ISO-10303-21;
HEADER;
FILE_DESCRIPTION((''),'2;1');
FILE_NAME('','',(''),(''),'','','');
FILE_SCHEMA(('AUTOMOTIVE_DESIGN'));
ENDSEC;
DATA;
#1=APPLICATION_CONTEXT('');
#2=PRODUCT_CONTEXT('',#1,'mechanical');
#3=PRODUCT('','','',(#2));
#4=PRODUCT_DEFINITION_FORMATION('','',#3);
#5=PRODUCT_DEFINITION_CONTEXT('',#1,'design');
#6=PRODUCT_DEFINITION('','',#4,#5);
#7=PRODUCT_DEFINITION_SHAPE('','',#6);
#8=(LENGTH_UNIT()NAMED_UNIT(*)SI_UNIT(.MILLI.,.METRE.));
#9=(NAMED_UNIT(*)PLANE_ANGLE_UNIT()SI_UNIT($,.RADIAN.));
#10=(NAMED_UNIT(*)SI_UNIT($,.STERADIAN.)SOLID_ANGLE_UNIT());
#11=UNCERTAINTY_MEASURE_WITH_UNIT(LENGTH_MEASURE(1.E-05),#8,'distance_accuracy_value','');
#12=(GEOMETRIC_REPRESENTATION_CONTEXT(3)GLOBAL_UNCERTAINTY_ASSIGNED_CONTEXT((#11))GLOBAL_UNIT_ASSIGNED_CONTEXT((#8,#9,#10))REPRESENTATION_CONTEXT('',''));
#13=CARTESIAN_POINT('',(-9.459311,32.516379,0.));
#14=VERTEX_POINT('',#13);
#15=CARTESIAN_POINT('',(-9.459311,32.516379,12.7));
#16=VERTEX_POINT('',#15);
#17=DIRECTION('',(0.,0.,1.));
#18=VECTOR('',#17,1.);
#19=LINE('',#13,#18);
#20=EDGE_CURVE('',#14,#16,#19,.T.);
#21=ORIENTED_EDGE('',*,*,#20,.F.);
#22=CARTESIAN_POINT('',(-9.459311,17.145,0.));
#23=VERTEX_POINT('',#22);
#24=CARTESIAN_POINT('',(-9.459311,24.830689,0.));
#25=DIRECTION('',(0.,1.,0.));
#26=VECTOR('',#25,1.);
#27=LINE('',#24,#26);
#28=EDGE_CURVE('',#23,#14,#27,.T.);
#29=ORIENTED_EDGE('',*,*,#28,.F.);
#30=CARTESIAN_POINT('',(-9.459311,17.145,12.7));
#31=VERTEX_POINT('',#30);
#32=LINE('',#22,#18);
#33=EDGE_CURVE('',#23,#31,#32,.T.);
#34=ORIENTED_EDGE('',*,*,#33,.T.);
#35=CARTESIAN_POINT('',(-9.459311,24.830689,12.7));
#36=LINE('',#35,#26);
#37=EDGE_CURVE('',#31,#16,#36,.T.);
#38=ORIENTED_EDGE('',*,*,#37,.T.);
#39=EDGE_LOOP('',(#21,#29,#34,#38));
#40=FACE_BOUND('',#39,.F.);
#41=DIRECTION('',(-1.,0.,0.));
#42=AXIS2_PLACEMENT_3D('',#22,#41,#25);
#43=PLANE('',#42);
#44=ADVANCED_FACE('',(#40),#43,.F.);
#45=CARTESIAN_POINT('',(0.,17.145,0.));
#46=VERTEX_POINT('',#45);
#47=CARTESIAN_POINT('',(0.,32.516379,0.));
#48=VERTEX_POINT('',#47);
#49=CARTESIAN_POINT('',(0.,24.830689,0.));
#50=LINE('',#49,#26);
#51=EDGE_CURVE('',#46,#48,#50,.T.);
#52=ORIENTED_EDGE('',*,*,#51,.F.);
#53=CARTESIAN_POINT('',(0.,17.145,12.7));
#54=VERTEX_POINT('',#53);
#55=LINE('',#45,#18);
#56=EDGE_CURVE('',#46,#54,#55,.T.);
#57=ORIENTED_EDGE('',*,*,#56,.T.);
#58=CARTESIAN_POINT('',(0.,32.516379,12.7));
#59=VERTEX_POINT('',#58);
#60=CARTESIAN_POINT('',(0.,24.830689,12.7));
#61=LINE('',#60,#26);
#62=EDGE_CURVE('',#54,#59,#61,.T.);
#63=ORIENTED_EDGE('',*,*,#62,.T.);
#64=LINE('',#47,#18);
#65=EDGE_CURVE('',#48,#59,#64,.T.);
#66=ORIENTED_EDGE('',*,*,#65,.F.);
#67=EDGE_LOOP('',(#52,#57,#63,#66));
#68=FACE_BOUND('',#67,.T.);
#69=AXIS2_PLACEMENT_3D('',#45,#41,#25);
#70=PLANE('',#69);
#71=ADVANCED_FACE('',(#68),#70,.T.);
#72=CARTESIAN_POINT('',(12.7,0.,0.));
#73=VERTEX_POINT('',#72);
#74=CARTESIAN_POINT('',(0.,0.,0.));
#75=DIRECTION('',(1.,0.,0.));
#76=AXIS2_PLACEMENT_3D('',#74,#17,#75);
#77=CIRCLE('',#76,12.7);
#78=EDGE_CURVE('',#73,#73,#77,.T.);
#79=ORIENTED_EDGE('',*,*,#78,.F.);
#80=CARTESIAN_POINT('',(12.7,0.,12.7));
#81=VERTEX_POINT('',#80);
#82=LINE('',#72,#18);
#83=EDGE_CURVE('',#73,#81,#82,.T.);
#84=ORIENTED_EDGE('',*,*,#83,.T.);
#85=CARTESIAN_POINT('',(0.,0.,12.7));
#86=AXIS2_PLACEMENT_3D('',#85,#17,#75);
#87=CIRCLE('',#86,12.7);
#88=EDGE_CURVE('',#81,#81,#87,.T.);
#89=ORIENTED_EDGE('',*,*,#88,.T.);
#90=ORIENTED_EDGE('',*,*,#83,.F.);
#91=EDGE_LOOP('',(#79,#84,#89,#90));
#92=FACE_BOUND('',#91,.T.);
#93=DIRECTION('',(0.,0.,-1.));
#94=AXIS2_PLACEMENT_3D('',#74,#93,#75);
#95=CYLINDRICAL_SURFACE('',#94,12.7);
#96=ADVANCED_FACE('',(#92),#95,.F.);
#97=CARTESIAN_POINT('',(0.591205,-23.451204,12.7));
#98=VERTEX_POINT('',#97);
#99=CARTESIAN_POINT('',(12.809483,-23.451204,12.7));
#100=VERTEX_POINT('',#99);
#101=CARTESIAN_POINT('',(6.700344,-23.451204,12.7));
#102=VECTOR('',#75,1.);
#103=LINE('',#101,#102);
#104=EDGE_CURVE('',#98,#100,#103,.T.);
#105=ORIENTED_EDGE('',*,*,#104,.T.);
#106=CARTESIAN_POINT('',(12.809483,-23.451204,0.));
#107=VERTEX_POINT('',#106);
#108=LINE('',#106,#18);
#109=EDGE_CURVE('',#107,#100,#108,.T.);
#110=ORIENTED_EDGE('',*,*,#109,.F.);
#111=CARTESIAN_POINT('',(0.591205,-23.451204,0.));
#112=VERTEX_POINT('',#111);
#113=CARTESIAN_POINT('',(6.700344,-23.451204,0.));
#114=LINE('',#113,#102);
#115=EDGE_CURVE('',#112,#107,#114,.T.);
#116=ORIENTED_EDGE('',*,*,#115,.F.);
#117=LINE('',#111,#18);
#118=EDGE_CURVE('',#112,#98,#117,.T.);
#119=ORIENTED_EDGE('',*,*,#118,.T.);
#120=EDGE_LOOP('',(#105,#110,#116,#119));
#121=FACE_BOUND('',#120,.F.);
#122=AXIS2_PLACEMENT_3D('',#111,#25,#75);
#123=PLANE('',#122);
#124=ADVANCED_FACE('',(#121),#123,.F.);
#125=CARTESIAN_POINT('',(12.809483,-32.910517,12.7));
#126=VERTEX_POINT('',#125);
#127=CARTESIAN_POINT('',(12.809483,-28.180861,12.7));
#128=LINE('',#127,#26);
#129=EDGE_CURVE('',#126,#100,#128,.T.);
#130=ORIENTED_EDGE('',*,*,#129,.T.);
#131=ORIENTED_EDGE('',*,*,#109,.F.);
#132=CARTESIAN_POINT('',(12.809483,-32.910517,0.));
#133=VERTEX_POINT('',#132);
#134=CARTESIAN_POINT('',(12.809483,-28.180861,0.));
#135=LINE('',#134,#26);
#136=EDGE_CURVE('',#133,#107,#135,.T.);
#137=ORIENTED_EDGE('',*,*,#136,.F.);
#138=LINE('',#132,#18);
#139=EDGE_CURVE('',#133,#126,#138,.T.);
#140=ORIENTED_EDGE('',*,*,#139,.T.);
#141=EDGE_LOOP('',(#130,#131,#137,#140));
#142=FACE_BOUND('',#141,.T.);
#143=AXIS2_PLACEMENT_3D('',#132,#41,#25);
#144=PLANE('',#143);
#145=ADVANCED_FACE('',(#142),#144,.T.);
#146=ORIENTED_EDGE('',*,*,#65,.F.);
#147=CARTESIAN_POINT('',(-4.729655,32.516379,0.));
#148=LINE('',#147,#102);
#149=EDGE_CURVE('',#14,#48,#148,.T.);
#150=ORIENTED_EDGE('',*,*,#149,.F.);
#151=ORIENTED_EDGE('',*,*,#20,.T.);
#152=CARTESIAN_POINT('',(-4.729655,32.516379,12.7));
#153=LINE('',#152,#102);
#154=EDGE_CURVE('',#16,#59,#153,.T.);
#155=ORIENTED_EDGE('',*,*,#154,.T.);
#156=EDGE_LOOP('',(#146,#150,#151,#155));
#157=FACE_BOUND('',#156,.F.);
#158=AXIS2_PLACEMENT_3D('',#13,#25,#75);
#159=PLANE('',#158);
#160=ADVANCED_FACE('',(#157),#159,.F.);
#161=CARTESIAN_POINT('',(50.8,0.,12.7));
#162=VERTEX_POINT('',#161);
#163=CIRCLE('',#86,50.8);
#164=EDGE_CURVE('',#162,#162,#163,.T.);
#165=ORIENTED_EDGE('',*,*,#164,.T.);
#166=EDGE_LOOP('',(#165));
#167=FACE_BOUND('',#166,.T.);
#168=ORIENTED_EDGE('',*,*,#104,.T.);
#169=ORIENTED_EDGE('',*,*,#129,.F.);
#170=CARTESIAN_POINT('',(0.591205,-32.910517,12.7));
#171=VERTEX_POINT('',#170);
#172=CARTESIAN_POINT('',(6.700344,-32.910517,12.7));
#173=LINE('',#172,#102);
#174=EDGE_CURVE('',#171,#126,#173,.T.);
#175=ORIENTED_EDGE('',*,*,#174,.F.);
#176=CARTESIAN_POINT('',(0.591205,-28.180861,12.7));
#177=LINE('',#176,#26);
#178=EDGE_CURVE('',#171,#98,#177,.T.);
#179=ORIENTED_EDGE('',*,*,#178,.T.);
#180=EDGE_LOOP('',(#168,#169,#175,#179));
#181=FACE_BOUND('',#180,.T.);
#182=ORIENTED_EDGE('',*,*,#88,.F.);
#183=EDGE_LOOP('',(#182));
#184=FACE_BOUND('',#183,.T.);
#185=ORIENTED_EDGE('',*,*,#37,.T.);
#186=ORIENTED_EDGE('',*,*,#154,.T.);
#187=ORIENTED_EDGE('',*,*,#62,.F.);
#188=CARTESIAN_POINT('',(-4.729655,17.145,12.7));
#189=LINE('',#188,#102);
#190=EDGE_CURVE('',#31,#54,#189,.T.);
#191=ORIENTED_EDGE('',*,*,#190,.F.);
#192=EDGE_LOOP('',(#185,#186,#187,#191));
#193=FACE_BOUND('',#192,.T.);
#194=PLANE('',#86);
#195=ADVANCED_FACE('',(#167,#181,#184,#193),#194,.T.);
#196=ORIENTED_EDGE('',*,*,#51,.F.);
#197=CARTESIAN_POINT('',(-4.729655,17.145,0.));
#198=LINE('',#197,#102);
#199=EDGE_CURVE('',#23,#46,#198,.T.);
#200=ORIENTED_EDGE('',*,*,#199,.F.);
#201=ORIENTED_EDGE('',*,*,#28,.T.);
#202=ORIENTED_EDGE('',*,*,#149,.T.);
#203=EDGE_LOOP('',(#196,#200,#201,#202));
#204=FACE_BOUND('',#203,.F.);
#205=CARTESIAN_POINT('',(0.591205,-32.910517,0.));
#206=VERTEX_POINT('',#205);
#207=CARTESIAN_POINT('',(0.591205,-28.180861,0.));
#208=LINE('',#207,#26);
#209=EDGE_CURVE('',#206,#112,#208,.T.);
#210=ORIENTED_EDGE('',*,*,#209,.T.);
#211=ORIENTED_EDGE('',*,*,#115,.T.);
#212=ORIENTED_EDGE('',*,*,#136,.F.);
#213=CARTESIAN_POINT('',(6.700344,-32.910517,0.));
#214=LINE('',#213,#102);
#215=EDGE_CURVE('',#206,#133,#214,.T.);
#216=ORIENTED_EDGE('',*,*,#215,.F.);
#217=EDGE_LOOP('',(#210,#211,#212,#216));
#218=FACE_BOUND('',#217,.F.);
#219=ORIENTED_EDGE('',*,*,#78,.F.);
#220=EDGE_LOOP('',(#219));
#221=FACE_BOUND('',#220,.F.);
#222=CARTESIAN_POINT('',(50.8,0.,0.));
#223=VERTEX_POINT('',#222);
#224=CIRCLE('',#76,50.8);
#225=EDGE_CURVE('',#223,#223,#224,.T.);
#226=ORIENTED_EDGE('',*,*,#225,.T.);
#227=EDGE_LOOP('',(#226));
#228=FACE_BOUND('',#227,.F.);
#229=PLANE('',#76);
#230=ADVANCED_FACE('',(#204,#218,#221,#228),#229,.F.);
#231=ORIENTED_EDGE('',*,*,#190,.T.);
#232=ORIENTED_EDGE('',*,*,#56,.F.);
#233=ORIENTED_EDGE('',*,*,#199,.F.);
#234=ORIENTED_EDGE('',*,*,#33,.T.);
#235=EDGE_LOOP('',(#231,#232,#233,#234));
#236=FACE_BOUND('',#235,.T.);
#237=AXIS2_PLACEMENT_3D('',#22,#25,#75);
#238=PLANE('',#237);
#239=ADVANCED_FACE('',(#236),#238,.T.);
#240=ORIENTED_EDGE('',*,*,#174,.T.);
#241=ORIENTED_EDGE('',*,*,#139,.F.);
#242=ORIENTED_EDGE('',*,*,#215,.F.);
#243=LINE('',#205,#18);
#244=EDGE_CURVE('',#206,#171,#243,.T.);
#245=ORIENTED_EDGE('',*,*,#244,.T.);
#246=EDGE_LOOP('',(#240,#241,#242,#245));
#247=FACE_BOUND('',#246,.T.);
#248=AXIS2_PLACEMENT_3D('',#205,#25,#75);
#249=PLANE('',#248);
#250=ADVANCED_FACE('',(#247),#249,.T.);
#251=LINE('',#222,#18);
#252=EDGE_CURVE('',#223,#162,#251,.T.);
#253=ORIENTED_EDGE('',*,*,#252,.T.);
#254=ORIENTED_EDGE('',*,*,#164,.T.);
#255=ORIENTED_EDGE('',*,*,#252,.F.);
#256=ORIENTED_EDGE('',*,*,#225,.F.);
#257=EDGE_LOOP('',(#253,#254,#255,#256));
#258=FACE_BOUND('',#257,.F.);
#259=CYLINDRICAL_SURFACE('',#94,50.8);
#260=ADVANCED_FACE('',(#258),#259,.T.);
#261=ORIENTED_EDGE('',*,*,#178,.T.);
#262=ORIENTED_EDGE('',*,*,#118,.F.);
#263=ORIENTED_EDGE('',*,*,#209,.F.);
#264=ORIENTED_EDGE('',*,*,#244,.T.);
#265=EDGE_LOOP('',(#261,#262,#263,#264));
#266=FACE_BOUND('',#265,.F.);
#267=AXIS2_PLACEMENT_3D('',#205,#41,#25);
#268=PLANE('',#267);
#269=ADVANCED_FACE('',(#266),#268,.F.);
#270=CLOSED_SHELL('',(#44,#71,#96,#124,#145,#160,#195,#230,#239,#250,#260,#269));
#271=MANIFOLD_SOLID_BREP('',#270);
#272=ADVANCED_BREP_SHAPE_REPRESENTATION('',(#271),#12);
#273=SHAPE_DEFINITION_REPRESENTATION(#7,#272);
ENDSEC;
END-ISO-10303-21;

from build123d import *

# Parameters (mm, degrees)
F0_R     = 50.8
F0_R_2   = 12.7
F0_W     = 12.218278
F0_H     = 9.459313
F0_W_2   = 9.459311
F0_H_2   = 15.371379
F1_DEPTH = 12.7


with BuildPart() as f1:
    # F0 (on Top) → F1 (new body)
    with BuildSketch(Plane.XY):
        Circle(F0_R)
        Circle(F0_R_2, mode=Mode.SUBTRACT)
        with Locations((6.700344, -28.180861)):
            Rectangle(F0_W, F0_H, mode=Mode.SUBTRACT)
        with Locations((-4.729655, 24.830689)):
            Rectangle(F0_W_2, F0_H_2, mode=Mode.SUBTRACT)
    extrude(amount=F1_DEPTH)


solid = f1.part
